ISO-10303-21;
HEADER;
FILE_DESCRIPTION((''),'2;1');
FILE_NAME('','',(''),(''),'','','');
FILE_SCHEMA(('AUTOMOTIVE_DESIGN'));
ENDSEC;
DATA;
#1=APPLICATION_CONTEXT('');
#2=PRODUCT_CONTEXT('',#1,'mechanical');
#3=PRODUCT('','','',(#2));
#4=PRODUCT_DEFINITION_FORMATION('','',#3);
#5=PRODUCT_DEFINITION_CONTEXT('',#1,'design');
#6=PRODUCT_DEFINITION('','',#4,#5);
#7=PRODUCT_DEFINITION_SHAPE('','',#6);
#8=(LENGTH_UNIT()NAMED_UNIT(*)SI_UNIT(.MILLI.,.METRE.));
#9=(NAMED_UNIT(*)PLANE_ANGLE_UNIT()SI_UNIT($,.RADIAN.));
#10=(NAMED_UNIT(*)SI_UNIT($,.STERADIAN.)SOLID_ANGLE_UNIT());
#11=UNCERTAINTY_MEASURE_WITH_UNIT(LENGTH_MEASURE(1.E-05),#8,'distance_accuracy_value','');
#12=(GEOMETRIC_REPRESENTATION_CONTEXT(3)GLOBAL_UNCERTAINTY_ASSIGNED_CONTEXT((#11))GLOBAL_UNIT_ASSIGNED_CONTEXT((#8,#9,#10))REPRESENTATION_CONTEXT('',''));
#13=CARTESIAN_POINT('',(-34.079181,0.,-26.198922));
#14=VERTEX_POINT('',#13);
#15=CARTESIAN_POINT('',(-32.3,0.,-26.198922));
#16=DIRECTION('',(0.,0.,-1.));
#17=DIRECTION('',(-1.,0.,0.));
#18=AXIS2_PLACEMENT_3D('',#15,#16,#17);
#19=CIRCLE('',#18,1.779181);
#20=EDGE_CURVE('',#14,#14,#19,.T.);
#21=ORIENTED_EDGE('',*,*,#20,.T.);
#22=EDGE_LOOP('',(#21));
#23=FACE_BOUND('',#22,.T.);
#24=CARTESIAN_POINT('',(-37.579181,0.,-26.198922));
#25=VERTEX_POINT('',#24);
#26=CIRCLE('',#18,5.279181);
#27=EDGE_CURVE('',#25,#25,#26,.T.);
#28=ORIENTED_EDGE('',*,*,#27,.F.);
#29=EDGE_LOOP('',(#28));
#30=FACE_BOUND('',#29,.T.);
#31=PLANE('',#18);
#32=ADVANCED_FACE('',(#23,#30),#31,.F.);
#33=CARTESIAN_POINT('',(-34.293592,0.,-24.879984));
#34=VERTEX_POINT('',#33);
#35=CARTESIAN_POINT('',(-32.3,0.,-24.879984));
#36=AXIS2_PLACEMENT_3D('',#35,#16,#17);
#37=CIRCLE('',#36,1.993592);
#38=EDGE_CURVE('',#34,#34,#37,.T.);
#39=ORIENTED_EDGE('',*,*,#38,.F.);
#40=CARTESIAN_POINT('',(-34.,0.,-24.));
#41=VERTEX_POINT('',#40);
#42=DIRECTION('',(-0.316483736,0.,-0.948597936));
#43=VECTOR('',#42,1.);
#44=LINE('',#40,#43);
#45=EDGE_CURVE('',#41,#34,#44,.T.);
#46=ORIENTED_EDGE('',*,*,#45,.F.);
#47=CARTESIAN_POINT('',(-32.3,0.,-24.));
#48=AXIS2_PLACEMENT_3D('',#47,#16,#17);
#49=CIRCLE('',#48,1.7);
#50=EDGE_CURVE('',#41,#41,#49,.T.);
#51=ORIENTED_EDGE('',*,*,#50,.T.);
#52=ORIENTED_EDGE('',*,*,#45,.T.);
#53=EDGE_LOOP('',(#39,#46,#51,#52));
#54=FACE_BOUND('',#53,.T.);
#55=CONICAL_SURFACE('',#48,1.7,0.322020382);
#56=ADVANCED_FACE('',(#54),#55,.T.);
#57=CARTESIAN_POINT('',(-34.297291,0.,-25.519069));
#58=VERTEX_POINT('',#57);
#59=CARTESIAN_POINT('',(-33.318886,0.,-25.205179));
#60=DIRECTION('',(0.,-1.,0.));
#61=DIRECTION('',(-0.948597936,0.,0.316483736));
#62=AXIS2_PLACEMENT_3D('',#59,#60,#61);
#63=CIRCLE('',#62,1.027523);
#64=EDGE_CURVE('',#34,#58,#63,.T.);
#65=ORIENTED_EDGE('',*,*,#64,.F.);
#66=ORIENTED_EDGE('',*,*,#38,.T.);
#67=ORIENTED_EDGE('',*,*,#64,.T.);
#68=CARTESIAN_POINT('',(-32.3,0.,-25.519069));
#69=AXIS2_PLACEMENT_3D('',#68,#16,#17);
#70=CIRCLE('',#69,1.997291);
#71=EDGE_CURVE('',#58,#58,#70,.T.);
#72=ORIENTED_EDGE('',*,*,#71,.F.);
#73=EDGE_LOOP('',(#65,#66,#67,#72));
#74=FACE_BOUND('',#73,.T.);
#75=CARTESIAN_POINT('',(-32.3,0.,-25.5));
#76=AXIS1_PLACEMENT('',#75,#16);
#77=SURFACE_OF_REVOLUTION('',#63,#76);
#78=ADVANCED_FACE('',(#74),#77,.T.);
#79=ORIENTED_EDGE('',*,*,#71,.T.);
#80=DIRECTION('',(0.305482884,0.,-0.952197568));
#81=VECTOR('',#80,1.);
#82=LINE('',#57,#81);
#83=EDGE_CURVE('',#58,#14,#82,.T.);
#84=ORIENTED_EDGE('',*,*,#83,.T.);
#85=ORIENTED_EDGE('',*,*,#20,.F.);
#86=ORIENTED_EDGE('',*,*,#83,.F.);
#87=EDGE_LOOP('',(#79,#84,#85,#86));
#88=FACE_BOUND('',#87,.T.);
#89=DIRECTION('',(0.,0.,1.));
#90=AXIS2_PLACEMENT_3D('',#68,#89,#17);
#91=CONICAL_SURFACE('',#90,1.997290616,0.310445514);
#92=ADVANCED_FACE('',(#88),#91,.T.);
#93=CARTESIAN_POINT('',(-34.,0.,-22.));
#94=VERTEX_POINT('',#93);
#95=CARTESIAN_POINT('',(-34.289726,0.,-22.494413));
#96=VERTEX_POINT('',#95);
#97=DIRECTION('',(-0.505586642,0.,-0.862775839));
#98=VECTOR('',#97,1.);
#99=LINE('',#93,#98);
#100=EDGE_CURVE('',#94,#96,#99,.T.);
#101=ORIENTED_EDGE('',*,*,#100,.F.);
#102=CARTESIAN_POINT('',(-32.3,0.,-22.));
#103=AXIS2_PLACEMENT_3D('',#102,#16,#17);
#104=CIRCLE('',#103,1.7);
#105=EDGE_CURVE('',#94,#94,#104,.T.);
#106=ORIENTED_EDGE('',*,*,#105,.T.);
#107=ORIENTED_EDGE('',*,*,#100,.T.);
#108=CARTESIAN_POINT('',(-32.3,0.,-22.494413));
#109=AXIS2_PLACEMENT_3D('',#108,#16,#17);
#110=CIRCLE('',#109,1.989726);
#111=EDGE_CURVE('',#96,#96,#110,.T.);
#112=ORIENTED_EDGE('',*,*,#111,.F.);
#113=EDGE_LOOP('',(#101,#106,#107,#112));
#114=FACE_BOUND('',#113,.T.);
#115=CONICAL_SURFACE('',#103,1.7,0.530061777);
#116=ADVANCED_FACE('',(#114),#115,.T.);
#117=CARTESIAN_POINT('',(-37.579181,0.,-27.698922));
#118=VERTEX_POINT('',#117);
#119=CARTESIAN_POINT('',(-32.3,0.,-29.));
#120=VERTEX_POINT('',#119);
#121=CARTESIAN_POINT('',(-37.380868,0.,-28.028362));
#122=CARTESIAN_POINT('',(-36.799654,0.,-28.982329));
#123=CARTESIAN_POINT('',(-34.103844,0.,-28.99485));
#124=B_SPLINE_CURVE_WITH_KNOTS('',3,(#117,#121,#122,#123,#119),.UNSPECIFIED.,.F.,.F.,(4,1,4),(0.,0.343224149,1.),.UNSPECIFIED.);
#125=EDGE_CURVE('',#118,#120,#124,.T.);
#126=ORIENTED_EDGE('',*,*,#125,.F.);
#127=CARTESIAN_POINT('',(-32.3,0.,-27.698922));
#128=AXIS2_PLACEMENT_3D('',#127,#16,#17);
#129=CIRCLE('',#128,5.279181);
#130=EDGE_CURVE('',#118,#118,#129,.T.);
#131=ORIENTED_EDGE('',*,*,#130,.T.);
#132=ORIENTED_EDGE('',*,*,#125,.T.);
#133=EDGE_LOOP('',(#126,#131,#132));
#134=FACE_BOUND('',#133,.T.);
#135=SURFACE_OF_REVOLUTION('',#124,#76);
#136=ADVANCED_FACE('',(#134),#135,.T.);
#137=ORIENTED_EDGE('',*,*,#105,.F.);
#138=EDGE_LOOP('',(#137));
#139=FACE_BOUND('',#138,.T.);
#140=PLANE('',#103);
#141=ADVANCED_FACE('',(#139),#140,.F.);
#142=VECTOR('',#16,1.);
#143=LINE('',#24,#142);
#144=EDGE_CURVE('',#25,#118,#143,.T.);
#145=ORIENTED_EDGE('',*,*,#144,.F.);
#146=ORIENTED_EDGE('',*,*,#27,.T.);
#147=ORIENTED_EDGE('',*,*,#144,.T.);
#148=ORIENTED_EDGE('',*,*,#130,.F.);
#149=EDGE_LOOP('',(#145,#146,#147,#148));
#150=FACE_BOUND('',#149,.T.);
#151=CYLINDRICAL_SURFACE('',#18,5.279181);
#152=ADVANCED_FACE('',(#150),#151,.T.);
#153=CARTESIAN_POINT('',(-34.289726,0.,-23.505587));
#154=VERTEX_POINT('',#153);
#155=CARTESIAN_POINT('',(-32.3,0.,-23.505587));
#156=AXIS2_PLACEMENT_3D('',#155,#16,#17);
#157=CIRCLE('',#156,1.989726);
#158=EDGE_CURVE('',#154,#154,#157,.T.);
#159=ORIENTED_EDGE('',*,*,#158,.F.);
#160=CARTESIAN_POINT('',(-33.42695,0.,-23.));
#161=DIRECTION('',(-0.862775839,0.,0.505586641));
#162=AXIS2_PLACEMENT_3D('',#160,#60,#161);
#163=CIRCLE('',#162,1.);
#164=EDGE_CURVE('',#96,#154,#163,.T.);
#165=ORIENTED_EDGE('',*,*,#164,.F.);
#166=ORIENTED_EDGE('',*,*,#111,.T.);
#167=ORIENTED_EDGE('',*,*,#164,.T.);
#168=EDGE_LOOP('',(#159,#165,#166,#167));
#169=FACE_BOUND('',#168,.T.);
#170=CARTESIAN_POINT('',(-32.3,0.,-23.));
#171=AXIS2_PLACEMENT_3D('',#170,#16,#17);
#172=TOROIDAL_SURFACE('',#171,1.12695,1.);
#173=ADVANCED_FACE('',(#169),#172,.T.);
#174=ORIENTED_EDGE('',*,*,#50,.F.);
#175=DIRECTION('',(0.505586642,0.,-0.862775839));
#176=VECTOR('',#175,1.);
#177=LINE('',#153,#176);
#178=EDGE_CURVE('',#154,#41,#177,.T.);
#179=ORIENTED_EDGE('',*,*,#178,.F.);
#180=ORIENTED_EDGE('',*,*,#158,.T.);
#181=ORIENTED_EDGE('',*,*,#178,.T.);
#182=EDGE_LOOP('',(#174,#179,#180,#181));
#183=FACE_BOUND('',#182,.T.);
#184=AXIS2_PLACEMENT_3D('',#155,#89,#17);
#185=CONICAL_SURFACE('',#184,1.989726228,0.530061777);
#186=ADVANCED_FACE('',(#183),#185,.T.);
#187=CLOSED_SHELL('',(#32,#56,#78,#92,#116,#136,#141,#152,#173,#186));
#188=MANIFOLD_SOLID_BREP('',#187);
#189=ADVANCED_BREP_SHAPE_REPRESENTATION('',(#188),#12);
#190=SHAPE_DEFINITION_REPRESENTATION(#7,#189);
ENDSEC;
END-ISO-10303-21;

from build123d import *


with BuildPart() as f1:
    # F0 (on Front) → F1 (revolve)
    with BuildSketch(Plane.XZ):
        with BuildLine():
            Line((-32.3, -22), (-34, -22))
            Line((-34, -22), (-34.2897262281, -22.4944133585))
            ThreePointArc((-34.2897262281, -22.4944133585), (-34.4269503893, -23), (-34.2897262281, -23.5055866415))
            Line((-34.2897262281, -23.5055866415), (-34, -24))
            Line((-34, -24), (-34.2935919125, -24.8799841854))
            ThreePointArc((-34.2935919125, -24.8799841854), (-34.346391508, -25.1992318203), (-34.2972906163, -25.5190692042))
            Line((-34.2972906163, -25.5190692042), (-34.0791811968, -26.1989215612))
            Line((-34.0791811968, -26.1989215612), (-37.5791811968, -26.1989215612))
            Line((-37.5791811968, -26.1989215612), (-37.5791811968, -27.6989215612))
            add(Edge.make_bspline(
                [(-37.5791811968, -27.6989215612), (-37.3808677601, -28.0283616037), (-36.7996539252, -28.982329307), (-34.103843932, -28.9948503074), (-32.3, -29)],
                knots=[0, 0, 0, 0, 0.3432241491, 1, 1, 1, 1], degree=3))
            Line((-32.3, -29), (-32.3, -22))
        make_face()
    revolve(axis=Axis((-32.3, 0, -25.5), (0, 0, -1)))


solid = f1.part
